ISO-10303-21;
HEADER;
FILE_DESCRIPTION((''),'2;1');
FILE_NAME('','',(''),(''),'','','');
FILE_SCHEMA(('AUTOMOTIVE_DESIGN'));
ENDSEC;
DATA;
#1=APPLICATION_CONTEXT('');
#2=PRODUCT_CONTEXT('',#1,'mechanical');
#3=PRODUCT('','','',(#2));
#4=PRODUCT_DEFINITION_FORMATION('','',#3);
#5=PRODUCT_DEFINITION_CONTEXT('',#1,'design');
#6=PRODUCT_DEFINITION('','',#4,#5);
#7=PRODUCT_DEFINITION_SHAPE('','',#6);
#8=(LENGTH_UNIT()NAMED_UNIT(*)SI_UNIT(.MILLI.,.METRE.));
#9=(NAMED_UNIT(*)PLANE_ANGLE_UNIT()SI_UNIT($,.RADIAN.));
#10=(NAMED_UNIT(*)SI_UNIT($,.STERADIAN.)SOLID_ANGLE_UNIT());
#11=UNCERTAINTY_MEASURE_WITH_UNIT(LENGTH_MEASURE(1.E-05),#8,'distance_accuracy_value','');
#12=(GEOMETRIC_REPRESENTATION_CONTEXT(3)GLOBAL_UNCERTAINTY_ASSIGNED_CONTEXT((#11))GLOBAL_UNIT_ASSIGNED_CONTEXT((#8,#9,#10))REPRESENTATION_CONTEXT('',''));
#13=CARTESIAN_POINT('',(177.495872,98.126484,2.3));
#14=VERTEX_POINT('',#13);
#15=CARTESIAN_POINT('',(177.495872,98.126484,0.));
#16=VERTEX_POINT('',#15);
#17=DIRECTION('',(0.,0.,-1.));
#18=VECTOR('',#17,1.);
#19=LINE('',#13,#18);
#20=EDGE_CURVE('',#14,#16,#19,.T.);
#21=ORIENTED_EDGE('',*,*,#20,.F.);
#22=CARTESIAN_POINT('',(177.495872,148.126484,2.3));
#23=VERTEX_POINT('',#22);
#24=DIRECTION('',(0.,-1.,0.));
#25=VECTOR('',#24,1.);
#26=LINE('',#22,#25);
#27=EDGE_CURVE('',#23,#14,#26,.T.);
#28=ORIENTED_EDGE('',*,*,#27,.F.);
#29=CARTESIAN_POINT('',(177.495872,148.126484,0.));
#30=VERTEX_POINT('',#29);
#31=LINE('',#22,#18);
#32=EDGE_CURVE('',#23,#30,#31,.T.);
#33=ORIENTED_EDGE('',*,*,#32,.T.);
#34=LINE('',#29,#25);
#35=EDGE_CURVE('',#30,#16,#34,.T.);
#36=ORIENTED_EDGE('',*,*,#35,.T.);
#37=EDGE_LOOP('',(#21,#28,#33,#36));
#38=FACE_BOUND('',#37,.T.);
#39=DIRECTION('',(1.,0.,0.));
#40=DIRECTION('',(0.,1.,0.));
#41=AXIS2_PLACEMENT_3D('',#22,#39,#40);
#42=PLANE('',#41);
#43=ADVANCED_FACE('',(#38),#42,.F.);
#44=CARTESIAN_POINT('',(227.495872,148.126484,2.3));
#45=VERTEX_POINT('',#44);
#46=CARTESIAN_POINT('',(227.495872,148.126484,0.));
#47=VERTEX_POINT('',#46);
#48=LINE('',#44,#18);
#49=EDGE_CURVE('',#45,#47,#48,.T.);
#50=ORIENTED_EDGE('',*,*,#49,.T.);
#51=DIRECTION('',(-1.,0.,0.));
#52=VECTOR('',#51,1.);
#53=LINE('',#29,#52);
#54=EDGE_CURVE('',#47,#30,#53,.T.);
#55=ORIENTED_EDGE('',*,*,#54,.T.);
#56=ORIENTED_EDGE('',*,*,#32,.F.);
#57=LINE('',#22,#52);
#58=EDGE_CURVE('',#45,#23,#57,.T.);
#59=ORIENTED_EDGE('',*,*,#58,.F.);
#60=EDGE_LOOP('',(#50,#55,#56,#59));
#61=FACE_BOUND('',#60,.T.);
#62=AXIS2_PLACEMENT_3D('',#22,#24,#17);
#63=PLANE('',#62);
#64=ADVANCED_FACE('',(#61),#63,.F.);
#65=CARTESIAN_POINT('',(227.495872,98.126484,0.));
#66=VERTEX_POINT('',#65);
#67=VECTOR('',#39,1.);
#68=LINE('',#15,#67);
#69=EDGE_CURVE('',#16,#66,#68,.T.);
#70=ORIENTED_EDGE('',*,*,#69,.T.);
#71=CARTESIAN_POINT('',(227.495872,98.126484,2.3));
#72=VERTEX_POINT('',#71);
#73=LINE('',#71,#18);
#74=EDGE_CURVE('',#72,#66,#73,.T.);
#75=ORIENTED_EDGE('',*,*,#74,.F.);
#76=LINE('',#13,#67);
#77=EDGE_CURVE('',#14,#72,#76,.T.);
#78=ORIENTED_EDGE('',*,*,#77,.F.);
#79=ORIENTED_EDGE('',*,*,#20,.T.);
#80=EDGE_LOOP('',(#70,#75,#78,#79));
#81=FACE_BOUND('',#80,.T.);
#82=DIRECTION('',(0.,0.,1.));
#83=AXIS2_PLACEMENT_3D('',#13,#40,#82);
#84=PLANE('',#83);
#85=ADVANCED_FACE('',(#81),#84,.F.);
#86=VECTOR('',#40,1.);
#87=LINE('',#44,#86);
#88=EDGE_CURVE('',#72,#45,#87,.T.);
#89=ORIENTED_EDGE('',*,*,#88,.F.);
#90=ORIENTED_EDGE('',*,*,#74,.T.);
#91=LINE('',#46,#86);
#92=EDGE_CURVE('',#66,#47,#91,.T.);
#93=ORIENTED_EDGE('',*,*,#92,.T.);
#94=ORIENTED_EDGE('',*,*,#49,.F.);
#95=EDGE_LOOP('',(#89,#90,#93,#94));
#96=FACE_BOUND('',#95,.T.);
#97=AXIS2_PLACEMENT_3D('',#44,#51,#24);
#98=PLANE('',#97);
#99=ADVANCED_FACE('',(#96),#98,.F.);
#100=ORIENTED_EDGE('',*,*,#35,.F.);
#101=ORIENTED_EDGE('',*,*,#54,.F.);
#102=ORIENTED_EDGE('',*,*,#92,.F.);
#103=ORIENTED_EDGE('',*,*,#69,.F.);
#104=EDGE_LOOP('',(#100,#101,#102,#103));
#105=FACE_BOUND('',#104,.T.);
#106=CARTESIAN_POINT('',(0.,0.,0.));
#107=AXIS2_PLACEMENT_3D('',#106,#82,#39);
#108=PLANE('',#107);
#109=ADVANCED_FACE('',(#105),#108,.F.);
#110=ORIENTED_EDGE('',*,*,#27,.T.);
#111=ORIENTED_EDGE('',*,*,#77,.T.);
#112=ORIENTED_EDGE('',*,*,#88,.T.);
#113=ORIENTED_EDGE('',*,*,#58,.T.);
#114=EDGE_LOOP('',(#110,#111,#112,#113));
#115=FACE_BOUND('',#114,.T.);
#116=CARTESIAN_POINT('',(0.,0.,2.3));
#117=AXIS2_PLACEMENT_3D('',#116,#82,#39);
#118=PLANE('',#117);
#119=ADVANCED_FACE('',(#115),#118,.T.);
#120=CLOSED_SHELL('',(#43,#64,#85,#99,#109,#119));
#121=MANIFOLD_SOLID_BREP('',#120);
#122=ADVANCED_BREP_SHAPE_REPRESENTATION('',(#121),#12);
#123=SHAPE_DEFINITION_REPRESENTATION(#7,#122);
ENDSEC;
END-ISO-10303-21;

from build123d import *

# Parameters (mm, degrees)
SKETCH_1_W      = 50
SKETCH_1_H      = 50
EXTRUDE_1_DEPTH = 2.3


with BuildPart() as part:
    # 草图1 → 凸台-拉伸1 (new body)
    with BuildSketch(Plane.XY):
        with Locations((202.495871552, 123.126483669)):
            Rectangle(SKETCH_1_W, SKETCH_1_H)
    extrude(amount=EXTRUDE_1_DEPTH)


solid = part.part
